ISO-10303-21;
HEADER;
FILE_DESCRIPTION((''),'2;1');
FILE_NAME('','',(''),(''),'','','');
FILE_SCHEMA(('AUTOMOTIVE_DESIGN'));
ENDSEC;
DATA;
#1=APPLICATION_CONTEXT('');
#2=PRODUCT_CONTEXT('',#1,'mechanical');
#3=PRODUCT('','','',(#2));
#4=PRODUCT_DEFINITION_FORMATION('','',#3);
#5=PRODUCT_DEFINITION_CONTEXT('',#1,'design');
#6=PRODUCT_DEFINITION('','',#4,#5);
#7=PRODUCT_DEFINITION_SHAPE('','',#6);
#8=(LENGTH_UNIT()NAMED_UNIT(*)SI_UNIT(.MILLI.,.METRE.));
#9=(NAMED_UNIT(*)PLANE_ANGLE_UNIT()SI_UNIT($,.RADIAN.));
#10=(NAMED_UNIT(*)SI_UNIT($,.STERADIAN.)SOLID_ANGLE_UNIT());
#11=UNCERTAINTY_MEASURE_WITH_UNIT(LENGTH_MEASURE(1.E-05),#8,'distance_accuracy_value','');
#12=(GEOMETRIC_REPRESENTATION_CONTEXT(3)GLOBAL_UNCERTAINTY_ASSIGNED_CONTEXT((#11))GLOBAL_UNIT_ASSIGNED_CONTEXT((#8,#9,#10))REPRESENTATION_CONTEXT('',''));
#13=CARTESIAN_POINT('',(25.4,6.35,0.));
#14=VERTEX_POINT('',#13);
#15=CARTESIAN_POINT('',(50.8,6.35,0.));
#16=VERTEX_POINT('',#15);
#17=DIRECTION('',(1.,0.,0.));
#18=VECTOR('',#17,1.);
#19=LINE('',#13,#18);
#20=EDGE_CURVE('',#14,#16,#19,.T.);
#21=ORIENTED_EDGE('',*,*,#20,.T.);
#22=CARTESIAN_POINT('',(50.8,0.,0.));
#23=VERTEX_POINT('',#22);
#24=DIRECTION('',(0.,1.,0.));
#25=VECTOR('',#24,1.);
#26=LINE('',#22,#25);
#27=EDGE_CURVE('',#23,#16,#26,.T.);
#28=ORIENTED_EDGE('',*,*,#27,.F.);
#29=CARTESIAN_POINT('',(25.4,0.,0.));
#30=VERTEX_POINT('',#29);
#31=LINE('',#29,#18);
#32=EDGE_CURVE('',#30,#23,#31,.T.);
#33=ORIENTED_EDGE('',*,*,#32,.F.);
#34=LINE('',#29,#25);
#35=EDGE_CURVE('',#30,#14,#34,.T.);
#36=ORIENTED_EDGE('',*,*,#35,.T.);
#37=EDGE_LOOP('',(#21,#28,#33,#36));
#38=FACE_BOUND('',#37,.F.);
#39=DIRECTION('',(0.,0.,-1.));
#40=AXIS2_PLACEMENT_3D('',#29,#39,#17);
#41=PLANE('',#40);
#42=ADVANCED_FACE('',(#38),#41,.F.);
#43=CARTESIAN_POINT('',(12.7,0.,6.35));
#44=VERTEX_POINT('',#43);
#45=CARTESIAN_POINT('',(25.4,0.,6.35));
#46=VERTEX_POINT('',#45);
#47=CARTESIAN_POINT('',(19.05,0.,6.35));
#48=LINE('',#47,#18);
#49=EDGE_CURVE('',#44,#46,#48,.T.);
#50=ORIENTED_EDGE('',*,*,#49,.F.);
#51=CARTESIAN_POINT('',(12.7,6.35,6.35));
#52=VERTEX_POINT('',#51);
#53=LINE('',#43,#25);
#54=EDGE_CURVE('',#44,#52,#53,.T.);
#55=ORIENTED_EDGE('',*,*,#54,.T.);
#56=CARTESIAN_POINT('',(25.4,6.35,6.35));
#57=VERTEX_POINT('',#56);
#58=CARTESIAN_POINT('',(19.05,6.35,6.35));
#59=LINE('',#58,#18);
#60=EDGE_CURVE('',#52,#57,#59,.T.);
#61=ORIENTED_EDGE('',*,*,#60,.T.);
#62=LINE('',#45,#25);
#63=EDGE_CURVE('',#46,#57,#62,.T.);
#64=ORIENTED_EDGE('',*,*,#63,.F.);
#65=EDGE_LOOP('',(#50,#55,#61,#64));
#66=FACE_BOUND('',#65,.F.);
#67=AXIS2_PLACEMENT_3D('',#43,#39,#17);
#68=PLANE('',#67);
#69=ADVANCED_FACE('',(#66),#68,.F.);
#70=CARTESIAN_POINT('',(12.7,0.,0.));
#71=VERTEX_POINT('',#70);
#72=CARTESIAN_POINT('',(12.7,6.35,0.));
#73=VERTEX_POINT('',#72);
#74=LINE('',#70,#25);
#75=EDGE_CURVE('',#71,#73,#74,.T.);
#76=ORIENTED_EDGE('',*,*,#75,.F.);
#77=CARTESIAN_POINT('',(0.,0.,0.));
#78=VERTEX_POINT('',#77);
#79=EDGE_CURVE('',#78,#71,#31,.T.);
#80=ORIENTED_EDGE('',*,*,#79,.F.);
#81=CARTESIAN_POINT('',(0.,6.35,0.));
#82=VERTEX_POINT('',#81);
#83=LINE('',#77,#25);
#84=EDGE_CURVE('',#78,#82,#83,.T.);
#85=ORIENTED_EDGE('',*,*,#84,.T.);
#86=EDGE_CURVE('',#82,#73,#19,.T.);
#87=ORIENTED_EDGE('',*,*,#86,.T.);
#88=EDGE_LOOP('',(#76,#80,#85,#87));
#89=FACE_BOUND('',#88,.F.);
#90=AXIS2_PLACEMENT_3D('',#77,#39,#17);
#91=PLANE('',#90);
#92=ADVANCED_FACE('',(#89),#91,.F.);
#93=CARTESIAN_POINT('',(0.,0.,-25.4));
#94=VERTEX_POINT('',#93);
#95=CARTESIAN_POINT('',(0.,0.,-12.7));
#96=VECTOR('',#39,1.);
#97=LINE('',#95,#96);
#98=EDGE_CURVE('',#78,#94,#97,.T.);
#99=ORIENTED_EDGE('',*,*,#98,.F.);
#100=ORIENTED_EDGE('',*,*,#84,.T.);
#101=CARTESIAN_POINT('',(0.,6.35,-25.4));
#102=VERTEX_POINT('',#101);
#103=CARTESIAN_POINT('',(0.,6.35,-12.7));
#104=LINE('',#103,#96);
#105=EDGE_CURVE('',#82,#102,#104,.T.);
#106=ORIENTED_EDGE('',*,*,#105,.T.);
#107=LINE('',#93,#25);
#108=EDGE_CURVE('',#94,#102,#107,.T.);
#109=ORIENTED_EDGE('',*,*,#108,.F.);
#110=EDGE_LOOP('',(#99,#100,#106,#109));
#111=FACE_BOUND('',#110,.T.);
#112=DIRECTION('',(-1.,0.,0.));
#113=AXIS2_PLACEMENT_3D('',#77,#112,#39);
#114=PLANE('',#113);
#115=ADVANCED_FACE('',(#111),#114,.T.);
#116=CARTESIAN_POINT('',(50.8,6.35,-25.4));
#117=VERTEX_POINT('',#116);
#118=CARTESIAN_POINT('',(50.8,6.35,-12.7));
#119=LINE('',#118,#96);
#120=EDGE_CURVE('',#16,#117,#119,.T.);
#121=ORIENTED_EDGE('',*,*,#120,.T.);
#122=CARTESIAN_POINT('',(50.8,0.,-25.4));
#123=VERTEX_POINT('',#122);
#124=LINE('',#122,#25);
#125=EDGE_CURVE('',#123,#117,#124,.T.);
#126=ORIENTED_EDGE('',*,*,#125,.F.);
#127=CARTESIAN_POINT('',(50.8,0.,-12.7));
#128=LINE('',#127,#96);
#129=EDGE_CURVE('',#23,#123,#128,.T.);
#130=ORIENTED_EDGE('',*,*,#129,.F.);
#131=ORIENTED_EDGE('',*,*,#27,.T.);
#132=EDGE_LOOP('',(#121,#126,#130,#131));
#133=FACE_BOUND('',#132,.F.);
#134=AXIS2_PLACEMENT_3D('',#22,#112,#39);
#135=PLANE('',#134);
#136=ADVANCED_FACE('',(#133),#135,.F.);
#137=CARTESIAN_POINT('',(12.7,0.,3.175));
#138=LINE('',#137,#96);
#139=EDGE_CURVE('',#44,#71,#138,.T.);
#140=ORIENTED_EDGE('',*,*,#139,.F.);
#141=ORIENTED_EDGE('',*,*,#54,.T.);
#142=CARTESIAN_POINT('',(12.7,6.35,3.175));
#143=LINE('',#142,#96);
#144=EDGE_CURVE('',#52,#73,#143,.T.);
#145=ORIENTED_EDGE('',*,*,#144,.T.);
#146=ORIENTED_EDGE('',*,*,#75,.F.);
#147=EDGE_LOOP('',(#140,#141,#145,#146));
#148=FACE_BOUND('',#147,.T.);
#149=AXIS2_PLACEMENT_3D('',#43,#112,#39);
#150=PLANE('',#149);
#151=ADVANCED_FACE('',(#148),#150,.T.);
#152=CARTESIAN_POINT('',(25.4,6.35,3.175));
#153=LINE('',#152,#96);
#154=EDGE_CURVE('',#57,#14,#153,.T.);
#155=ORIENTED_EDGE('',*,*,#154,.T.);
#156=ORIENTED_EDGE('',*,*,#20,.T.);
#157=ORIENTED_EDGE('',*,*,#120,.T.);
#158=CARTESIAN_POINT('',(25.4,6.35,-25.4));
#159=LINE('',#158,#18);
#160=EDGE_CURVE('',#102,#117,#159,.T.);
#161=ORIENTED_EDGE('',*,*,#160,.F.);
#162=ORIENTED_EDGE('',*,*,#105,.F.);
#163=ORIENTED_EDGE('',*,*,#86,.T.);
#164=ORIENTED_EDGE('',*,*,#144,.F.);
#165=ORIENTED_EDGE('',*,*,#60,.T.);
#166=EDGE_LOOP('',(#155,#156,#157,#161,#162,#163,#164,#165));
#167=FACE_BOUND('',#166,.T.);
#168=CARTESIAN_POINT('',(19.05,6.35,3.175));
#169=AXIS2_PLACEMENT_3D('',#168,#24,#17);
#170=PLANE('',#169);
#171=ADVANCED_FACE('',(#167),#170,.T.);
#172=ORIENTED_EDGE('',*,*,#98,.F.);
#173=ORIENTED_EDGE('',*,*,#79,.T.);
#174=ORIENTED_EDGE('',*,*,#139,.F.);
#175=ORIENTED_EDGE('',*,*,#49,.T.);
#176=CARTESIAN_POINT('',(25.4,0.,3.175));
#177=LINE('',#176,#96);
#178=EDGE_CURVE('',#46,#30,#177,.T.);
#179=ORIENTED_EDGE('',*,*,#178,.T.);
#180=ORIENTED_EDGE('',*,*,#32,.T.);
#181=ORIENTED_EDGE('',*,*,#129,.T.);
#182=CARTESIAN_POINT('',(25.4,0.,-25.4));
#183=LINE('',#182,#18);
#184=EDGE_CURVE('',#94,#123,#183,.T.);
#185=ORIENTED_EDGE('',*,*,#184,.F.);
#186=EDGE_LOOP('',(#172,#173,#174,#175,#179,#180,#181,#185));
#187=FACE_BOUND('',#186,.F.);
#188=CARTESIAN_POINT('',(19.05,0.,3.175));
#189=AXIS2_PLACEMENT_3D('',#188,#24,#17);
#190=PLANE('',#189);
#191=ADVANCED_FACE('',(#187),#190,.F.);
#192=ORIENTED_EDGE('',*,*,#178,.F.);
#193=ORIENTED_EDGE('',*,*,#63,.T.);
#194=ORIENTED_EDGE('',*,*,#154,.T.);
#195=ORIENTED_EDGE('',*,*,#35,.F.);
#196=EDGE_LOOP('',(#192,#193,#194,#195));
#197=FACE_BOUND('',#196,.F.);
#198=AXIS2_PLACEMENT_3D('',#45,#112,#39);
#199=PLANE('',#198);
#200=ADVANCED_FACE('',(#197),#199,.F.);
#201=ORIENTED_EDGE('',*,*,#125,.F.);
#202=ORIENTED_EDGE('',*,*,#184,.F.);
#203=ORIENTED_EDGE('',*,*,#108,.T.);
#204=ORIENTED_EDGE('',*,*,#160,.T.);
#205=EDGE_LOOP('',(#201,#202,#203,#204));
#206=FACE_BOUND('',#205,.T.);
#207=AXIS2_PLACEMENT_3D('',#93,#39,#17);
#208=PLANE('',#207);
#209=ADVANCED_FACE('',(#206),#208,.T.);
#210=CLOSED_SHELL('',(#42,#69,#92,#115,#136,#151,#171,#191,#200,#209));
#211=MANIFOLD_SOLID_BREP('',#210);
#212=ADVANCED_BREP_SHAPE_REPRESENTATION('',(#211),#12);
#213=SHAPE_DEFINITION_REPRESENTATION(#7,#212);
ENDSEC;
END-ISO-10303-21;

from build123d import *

# Parameters (mm, degrees)
SKETCH1_W           = 12.7
SKETCH1_H           = 6.35
SKETCH1_W_2         = 50.8
SKETCH1_H_2         = 25.4
BOSS_EXTRUDE1_DEPTH = 6.35


with BuildPart() as part:
    # Sketch1 → Boss-Extrude1 (new body)
    with BuildSketch(Plane(origin=(0, 0, 0), x_dir=(1, 0, 0), z_dir=(0, 1, 0))):
        with Locations((19.05, -3.175)):
            Rectangle(SKETCH1_W, SKETCH1_H)
        with Locations((25.4, 12.7)):
            Rectangle(SKETCH1_W_2, SKETCH1_H_2)
    extrude(amount=BOSS_EXTRUDE1_DEPTH)


solid = part.part
